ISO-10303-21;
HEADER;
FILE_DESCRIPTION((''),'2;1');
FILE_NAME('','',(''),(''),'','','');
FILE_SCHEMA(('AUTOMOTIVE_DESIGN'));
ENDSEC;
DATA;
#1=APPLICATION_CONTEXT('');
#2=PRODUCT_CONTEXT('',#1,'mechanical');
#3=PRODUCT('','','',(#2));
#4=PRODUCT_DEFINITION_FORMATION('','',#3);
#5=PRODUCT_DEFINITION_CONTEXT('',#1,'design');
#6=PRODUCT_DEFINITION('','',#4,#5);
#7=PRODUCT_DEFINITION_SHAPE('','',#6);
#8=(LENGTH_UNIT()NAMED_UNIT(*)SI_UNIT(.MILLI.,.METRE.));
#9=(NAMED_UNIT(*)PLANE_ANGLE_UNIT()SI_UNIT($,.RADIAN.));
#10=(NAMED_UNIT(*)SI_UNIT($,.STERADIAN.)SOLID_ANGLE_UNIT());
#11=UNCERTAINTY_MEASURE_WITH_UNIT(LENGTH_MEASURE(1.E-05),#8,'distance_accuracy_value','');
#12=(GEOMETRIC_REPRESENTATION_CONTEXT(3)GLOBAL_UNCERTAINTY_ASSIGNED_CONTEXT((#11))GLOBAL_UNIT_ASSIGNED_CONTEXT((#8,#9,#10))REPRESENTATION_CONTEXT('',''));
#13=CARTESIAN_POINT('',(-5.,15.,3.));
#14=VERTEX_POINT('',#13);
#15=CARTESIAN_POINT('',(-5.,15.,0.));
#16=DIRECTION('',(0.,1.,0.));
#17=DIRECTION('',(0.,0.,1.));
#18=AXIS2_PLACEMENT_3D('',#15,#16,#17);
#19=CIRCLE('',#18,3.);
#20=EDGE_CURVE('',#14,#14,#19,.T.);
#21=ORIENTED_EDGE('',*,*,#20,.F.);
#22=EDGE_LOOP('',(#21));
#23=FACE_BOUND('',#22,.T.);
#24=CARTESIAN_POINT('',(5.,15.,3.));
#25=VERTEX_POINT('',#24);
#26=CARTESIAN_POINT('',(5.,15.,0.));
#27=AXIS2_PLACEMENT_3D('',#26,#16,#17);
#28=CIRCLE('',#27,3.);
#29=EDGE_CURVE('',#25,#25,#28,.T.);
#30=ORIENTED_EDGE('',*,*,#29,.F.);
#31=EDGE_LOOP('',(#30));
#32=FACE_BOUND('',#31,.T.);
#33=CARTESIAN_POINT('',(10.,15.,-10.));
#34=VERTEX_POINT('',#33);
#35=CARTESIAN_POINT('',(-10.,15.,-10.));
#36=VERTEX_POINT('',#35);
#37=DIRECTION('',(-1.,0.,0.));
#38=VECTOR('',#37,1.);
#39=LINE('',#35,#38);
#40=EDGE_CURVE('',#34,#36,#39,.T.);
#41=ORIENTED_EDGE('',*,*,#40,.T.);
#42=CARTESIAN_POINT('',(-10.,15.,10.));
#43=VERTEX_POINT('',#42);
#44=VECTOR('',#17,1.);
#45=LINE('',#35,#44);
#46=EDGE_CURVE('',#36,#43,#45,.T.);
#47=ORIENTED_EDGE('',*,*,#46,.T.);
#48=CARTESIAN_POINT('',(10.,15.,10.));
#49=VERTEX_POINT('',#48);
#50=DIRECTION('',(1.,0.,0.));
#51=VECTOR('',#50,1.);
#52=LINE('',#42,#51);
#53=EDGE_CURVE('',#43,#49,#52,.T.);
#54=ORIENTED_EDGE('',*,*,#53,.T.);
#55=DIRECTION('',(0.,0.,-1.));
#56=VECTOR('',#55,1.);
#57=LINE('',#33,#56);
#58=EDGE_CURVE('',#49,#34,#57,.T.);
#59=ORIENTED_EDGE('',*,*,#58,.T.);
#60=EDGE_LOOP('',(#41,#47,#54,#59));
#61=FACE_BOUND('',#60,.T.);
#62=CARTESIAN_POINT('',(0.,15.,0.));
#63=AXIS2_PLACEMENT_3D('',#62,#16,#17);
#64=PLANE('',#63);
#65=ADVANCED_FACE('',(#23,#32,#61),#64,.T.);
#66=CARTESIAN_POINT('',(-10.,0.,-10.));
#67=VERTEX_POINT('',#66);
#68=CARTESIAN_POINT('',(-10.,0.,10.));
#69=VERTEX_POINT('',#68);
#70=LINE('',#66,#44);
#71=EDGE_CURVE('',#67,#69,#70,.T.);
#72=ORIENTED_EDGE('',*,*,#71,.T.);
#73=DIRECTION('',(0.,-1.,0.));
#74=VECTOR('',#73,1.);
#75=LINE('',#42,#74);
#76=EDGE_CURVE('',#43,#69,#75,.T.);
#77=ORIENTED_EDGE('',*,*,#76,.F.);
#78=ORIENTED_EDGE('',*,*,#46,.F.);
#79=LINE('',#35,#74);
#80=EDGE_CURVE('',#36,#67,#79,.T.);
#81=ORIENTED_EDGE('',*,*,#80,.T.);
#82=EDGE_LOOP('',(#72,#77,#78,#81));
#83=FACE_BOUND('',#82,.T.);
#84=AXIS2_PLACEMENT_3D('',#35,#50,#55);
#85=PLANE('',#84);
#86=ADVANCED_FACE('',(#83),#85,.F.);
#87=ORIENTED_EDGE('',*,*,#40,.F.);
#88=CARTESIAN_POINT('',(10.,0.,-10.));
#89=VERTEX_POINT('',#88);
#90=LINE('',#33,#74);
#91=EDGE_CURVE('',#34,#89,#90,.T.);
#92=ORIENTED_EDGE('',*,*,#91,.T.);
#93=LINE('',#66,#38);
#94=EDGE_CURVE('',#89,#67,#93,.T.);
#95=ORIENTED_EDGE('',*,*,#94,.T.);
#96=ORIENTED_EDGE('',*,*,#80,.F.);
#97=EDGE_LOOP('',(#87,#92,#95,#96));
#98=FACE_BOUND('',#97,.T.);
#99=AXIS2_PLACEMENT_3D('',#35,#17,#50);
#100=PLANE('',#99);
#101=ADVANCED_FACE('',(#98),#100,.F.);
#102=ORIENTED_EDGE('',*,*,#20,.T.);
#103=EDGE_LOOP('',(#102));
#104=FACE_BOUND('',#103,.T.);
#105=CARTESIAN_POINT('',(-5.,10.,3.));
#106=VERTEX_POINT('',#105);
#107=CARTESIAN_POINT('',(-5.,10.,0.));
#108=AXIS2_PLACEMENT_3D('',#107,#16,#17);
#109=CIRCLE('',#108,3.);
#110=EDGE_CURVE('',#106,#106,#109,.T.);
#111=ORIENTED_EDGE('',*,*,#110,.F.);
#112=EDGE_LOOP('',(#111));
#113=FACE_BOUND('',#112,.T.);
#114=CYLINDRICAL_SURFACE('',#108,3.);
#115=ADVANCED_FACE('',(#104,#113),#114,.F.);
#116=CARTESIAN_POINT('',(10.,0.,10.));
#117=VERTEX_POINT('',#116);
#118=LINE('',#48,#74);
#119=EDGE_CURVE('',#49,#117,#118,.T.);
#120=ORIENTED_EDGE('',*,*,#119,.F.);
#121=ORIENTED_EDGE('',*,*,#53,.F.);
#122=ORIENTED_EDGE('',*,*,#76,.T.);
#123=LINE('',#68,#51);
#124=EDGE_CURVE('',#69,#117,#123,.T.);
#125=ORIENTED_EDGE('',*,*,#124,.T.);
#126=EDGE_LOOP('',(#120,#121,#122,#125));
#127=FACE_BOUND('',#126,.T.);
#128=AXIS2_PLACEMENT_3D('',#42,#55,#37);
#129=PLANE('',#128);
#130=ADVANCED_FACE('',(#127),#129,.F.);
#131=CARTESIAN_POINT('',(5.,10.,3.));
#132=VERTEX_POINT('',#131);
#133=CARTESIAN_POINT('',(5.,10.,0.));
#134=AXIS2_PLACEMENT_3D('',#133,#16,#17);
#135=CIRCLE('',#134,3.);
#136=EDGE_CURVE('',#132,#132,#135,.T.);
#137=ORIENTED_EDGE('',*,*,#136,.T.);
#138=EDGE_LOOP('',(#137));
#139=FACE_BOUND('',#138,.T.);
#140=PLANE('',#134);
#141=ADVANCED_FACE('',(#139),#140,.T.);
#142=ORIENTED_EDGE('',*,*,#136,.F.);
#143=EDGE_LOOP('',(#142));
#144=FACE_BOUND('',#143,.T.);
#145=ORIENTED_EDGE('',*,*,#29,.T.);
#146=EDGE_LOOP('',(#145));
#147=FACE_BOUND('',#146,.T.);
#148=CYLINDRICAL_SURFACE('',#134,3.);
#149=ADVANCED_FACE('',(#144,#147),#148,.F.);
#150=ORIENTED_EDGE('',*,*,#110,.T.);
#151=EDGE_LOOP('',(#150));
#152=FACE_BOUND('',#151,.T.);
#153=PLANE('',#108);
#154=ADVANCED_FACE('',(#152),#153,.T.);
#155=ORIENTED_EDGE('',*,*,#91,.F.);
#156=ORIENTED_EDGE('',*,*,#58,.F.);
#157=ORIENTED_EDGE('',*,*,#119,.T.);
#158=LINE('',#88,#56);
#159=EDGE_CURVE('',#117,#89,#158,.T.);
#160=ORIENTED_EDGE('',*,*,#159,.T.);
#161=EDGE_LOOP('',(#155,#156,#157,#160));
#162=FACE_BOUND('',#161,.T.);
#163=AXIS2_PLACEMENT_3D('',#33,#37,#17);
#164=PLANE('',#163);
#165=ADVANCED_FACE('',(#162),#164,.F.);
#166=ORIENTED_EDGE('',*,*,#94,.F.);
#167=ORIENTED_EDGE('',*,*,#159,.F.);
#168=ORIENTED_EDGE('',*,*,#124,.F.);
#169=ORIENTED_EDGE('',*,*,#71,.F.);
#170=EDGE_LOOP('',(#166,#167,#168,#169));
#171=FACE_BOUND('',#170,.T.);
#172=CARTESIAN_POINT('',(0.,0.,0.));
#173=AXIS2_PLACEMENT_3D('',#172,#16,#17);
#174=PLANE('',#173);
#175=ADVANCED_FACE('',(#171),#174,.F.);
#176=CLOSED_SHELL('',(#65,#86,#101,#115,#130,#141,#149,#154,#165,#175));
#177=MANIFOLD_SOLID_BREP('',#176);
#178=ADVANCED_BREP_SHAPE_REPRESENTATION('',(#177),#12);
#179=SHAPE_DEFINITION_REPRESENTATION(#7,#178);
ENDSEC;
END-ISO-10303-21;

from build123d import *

# Parameters (mm, degrees)
SKETCH1_W           = 20
SKETCH1_H           = 20
BOSS_EXTRUDE1_DEPTH = 15
SKETCH2_R           = 3
CUT_EXTRUDE1_DEPTH  = 5


with BuildPart() as part:
    # Sketch1 → Boss-Extrude1 (new body)
    with BuildSketch(Plane(origin=(0, 0, 0), x_dir=(1, 0, 0), z_dir=(0, 1, 0))):
        Rectangle(SKETCH1_W, SKETCH1_H)
    extrude(amount=BOSS_EXTRUDE1_DEPTH)

    # Sketch2 → Cut-Extrude1 (cut)
    with BuildSketch(Plane(origin=(0, 15, 0), x_dir=(1, 0, 0), z_dir=(0, 1, 0))):
        with Locations(Location((5, 0, 0), (0, 0, 270))):
            Circle(SKETCH2_R)
        with Locations(Location((-5, 0, 0), (0, 0, 270))):
            Circle(SKETCH2_R)
    extrude(amount=-CUT_EXTRUDE1_DEPTH, mode=Mode.SUBTRACT)


solid = part.part
